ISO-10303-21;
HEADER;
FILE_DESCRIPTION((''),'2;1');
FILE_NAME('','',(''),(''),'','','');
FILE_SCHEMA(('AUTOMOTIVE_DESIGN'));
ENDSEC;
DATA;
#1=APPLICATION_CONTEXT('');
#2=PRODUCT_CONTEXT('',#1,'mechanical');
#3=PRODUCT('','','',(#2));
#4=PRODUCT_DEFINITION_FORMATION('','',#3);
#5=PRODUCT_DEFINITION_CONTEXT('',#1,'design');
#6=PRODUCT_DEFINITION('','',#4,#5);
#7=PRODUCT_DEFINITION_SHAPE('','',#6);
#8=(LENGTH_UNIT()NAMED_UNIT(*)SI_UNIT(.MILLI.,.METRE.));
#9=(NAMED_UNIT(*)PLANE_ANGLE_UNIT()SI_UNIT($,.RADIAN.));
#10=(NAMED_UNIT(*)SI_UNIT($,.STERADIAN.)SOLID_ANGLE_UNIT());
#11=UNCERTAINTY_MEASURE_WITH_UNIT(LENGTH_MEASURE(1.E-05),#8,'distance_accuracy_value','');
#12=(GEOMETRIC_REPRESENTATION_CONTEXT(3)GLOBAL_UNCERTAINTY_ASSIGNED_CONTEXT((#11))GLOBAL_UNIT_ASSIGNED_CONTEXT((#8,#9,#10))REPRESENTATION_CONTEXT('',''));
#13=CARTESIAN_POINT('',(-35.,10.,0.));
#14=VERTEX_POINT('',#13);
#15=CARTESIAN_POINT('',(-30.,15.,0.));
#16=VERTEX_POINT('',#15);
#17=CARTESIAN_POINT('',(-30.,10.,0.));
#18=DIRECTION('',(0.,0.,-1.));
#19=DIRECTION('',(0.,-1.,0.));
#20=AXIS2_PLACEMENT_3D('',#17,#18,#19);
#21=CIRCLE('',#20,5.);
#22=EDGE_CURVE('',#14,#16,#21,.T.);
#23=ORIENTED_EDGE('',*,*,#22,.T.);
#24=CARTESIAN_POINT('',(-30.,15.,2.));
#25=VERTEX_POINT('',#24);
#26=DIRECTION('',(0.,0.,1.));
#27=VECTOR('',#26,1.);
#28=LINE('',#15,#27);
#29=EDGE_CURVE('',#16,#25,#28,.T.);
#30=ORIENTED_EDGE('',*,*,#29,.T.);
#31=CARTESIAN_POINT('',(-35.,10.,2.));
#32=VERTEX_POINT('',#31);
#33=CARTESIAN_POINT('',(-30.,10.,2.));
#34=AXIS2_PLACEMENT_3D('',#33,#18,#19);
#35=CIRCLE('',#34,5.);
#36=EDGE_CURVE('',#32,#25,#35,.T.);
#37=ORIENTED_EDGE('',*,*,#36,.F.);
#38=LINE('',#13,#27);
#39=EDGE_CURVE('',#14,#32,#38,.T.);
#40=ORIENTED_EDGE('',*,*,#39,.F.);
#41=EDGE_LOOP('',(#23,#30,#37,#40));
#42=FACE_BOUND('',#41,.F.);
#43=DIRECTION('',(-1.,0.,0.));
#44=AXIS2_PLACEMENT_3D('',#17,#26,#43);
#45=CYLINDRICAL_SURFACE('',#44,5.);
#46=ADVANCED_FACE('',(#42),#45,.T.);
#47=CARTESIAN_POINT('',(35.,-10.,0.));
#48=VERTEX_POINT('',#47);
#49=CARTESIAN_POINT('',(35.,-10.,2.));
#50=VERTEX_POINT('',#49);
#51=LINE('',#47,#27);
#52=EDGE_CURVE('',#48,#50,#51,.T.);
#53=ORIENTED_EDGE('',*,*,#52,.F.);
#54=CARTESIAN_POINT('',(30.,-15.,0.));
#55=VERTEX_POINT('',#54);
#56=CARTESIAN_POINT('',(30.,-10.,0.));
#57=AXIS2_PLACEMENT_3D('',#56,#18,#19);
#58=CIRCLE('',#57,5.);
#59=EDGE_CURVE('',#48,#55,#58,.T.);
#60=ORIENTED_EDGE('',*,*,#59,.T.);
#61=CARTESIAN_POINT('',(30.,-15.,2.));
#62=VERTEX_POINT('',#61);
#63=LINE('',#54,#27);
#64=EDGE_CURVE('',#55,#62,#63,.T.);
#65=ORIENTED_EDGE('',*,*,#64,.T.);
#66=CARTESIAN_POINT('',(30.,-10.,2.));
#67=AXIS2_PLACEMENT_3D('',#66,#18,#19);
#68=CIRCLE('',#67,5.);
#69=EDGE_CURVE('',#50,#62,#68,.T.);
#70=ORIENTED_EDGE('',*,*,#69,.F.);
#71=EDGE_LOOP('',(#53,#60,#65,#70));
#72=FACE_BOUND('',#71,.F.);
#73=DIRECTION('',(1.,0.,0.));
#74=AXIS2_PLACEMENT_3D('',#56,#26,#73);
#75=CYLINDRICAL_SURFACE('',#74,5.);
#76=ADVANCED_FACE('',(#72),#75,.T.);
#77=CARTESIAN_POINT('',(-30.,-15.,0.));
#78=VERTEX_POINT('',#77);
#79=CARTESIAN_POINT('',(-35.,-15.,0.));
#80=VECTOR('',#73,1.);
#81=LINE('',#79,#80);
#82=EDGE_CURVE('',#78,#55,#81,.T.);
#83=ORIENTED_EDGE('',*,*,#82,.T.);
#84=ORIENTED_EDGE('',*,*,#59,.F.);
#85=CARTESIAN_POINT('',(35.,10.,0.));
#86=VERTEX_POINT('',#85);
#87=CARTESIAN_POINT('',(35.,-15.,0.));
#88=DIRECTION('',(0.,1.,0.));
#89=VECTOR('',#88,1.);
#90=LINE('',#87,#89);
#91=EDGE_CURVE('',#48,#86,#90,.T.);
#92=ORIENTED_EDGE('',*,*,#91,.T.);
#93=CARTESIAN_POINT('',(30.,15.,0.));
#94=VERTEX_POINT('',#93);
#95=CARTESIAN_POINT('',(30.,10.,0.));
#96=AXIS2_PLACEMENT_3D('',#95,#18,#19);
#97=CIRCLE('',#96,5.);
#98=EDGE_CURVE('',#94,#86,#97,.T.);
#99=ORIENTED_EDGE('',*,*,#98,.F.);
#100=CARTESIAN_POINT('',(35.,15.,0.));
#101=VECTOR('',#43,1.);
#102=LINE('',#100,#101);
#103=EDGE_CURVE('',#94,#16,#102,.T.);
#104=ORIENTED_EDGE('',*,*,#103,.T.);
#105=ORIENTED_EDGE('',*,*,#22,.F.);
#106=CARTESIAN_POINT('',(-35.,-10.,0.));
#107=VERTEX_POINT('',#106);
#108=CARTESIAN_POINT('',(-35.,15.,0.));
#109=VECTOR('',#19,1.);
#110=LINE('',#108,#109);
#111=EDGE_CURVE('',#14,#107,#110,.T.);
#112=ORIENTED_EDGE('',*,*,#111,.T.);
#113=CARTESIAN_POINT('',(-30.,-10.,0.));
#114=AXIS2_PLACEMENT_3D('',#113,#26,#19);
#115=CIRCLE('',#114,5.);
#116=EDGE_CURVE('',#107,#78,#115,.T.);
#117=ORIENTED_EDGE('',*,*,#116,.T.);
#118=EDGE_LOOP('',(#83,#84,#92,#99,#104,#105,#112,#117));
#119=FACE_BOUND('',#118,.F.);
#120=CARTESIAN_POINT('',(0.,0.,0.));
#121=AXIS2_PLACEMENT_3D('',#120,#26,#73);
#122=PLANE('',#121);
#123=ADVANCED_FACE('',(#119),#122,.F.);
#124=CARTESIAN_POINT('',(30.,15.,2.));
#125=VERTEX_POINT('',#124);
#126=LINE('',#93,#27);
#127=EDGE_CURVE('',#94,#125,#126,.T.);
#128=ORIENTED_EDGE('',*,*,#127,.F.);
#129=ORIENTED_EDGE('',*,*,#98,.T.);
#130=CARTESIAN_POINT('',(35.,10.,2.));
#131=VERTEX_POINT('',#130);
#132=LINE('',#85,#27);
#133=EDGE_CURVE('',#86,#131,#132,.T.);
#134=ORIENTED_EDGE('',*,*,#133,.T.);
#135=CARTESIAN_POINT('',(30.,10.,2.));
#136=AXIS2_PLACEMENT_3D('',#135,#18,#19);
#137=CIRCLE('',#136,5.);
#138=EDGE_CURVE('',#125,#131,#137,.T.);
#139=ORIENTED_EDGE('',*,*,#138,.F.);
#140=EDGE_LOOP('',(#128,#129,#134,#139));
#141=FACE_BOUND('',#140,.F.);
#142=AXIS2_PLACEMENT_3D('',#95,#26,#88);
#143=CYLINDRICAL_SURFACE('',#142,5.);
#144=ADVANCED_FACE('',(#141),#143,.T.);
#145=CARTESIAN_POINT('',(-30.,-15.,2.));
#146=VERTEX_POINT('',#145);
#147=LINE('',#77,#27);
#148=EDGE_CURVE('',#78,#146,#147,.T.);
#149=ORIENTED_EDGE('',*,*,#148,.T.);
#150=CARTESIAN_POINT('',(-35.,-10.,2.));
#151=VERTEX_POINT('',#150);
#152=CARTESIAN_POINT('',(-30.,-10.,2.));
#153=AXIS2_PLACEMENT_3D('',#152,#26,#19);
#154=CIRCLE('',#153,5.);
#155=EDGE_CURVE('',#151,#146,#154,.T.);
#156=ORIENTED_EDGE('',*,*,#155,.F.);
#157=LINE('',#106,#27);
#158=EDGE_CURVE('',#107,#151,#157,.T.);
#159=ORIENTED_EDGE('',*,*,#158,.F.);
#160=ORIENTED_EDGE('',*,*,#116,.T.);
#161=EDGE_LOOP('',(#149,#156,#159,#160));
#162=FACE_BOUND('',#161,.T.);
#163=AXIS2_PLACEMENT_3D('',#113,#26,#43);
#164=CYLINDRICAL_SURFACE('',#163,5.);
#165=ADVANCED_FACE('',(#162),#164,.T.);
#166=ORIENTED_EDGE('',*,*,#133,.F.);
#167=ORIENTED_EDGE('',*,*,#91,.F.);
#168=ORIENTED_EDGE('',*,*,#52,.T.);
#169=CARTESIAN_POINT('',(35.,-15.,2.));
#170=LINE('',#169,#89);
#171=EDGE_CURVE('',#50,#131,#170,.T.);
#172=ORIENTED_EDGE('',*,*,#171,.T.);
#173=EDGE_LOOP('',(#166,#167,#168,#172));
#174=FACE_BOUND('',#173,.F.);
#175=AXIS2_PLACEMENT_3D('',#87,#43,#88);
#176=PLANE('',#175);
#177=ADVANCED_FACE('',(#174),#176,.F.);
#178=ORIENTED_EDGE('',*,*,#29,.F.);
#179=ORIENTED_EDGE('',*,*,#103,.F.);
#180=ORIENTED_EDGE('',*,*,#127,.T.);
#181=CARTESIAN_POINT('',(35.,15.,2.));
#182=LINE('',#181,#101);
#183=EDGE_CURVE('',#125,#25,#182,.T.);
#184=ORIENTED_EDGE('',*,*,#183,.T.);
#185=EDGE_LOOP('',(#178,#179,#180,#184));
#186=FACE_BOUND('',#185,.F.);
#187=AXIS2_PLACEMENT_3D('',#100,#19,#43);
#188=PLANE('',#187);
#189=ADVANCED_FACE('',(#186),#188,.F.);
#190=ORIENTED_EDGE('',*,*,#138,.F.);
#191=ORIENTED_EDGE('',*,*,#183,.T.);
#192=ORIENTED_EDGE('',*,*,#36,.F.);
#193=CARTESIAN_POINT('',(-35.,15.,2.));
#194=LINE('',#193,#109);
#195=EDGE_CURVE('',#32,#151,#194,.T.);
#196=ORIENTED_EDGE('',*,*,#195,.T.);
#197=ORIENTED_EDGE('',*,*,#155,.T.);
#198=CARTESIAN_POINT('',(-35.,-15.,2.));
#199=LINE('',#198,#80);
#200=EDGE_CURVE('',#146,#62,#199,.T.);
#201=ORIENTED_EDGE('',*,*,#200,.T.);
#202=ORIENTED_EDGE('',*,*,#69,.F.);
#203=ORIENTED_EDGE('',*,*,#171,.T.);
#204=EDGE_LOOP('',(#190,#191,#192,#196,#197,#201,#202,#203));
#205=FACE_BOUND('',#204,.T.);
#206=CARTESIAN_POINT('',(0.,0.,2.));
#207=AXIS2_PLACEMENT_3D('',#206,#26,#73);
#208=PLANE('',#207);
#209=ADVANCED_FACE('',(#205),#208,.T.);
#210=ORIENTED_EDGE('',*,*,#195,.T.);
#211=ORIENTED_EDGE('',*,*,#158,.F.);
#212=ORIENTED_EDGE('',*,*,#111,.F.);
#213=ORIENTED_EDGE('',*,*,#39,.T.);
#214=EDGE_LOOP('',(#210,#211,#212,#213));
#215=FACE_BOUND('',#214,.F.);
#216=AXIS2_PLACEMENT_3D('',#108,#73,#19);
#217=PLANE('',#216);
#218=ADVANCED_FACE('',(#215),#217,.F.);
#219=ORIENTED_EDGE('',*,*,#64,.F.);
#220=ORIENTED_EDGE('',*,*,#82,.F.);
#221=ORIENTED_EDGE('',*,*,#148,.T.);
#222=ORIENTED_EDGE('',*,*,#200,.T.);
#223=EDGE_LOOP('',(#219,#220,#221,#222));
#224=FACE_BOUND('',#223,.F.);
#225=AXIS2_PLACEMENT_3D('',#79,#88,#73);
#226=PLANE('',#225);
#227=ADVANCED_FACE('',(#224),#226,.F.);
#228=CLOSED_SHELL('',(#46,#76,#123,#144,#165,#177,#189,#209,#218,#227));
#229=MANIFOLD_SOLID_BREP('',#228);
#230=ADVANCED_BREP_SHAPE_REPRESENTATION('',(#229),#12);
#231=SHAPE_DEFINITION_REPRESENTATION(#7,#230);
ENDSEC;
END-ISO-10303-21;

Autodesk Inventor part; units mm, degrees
ref_plane "YZ Plane" through (0, 0, 0) normal (1, 0, 0) x (0, 1, 0)
ref_plane "XZ Plane" through (0, 0, 0) normal (0, 1, 0) x (-1, 0, 0)
ref_plane "XY Plane" through (0, 0, 0) normal (0, 0, 1) x (1, 0, 0)
sketch "Sketch1" plane through (0, 0, 0) normal (0, 0, 1) x (1, 0, 0)
  line L0 (-35, -15) -> (35, -15)
  line L1 (35, -15) -> (35, 15)
  line L2 (35, 15) -> (-35, 15)
  line L3 (-35, 15) -> (-35, -15)
  line L4 (-35, -15) -> (35, 15) construction
  line L5 (35, -15) -> (-35, 15) construction
  point P0 (0, 0)
  dimension "d0" = 70
  dimension "d1" = 30
extrude "Extrusion1" add sketch "Sketch1" along normal blind 2
fillet "Fillet1" radius 5 4 edges at (35, 15, 1) (-35, 15, 1) (35, -15, 1) (-35, -15, 1)
sketch "Sketch2" plane through (0, 0, 2) normal (0, 0, 1) x (1, 0, 0)
  line L0 (-24.6971, 9.2157) -> (24.6971, 9.2157) construction
  line L1 (24.6971, 9.2157) -> (24.6971, -9.2157) construction
  line L2 (24.6971, -9.2157) -> (-24.6971, -9.2157) construction
  line L3 (-24.6971, -9.2157) -> (-24.6971, 9.2157) construction
  line L4 (30, 15) -> (-30, 15) projected
  line L5 (-30, -15) -> (30, -15) projected
  line L6 (-35, 10) -> (-35, -10) projected
  line L7 (35, -10) -> (35, 10) projected
  point P0 (0, 0)
  dimension "d5" = 5.7843
  dimension "d6" = 18.4313
  dimension "d7" = 30
  dimension "d8" = 10.3029
  dimension "d9" = 70
  dimension "d10" = 49.3942
equation "\"d5\" = -0.5 * d6 + 0.5 * d7"
equation "\"d8\" = -0.5 * d10 + 0.5 * d9"
properties part number "Marking"
